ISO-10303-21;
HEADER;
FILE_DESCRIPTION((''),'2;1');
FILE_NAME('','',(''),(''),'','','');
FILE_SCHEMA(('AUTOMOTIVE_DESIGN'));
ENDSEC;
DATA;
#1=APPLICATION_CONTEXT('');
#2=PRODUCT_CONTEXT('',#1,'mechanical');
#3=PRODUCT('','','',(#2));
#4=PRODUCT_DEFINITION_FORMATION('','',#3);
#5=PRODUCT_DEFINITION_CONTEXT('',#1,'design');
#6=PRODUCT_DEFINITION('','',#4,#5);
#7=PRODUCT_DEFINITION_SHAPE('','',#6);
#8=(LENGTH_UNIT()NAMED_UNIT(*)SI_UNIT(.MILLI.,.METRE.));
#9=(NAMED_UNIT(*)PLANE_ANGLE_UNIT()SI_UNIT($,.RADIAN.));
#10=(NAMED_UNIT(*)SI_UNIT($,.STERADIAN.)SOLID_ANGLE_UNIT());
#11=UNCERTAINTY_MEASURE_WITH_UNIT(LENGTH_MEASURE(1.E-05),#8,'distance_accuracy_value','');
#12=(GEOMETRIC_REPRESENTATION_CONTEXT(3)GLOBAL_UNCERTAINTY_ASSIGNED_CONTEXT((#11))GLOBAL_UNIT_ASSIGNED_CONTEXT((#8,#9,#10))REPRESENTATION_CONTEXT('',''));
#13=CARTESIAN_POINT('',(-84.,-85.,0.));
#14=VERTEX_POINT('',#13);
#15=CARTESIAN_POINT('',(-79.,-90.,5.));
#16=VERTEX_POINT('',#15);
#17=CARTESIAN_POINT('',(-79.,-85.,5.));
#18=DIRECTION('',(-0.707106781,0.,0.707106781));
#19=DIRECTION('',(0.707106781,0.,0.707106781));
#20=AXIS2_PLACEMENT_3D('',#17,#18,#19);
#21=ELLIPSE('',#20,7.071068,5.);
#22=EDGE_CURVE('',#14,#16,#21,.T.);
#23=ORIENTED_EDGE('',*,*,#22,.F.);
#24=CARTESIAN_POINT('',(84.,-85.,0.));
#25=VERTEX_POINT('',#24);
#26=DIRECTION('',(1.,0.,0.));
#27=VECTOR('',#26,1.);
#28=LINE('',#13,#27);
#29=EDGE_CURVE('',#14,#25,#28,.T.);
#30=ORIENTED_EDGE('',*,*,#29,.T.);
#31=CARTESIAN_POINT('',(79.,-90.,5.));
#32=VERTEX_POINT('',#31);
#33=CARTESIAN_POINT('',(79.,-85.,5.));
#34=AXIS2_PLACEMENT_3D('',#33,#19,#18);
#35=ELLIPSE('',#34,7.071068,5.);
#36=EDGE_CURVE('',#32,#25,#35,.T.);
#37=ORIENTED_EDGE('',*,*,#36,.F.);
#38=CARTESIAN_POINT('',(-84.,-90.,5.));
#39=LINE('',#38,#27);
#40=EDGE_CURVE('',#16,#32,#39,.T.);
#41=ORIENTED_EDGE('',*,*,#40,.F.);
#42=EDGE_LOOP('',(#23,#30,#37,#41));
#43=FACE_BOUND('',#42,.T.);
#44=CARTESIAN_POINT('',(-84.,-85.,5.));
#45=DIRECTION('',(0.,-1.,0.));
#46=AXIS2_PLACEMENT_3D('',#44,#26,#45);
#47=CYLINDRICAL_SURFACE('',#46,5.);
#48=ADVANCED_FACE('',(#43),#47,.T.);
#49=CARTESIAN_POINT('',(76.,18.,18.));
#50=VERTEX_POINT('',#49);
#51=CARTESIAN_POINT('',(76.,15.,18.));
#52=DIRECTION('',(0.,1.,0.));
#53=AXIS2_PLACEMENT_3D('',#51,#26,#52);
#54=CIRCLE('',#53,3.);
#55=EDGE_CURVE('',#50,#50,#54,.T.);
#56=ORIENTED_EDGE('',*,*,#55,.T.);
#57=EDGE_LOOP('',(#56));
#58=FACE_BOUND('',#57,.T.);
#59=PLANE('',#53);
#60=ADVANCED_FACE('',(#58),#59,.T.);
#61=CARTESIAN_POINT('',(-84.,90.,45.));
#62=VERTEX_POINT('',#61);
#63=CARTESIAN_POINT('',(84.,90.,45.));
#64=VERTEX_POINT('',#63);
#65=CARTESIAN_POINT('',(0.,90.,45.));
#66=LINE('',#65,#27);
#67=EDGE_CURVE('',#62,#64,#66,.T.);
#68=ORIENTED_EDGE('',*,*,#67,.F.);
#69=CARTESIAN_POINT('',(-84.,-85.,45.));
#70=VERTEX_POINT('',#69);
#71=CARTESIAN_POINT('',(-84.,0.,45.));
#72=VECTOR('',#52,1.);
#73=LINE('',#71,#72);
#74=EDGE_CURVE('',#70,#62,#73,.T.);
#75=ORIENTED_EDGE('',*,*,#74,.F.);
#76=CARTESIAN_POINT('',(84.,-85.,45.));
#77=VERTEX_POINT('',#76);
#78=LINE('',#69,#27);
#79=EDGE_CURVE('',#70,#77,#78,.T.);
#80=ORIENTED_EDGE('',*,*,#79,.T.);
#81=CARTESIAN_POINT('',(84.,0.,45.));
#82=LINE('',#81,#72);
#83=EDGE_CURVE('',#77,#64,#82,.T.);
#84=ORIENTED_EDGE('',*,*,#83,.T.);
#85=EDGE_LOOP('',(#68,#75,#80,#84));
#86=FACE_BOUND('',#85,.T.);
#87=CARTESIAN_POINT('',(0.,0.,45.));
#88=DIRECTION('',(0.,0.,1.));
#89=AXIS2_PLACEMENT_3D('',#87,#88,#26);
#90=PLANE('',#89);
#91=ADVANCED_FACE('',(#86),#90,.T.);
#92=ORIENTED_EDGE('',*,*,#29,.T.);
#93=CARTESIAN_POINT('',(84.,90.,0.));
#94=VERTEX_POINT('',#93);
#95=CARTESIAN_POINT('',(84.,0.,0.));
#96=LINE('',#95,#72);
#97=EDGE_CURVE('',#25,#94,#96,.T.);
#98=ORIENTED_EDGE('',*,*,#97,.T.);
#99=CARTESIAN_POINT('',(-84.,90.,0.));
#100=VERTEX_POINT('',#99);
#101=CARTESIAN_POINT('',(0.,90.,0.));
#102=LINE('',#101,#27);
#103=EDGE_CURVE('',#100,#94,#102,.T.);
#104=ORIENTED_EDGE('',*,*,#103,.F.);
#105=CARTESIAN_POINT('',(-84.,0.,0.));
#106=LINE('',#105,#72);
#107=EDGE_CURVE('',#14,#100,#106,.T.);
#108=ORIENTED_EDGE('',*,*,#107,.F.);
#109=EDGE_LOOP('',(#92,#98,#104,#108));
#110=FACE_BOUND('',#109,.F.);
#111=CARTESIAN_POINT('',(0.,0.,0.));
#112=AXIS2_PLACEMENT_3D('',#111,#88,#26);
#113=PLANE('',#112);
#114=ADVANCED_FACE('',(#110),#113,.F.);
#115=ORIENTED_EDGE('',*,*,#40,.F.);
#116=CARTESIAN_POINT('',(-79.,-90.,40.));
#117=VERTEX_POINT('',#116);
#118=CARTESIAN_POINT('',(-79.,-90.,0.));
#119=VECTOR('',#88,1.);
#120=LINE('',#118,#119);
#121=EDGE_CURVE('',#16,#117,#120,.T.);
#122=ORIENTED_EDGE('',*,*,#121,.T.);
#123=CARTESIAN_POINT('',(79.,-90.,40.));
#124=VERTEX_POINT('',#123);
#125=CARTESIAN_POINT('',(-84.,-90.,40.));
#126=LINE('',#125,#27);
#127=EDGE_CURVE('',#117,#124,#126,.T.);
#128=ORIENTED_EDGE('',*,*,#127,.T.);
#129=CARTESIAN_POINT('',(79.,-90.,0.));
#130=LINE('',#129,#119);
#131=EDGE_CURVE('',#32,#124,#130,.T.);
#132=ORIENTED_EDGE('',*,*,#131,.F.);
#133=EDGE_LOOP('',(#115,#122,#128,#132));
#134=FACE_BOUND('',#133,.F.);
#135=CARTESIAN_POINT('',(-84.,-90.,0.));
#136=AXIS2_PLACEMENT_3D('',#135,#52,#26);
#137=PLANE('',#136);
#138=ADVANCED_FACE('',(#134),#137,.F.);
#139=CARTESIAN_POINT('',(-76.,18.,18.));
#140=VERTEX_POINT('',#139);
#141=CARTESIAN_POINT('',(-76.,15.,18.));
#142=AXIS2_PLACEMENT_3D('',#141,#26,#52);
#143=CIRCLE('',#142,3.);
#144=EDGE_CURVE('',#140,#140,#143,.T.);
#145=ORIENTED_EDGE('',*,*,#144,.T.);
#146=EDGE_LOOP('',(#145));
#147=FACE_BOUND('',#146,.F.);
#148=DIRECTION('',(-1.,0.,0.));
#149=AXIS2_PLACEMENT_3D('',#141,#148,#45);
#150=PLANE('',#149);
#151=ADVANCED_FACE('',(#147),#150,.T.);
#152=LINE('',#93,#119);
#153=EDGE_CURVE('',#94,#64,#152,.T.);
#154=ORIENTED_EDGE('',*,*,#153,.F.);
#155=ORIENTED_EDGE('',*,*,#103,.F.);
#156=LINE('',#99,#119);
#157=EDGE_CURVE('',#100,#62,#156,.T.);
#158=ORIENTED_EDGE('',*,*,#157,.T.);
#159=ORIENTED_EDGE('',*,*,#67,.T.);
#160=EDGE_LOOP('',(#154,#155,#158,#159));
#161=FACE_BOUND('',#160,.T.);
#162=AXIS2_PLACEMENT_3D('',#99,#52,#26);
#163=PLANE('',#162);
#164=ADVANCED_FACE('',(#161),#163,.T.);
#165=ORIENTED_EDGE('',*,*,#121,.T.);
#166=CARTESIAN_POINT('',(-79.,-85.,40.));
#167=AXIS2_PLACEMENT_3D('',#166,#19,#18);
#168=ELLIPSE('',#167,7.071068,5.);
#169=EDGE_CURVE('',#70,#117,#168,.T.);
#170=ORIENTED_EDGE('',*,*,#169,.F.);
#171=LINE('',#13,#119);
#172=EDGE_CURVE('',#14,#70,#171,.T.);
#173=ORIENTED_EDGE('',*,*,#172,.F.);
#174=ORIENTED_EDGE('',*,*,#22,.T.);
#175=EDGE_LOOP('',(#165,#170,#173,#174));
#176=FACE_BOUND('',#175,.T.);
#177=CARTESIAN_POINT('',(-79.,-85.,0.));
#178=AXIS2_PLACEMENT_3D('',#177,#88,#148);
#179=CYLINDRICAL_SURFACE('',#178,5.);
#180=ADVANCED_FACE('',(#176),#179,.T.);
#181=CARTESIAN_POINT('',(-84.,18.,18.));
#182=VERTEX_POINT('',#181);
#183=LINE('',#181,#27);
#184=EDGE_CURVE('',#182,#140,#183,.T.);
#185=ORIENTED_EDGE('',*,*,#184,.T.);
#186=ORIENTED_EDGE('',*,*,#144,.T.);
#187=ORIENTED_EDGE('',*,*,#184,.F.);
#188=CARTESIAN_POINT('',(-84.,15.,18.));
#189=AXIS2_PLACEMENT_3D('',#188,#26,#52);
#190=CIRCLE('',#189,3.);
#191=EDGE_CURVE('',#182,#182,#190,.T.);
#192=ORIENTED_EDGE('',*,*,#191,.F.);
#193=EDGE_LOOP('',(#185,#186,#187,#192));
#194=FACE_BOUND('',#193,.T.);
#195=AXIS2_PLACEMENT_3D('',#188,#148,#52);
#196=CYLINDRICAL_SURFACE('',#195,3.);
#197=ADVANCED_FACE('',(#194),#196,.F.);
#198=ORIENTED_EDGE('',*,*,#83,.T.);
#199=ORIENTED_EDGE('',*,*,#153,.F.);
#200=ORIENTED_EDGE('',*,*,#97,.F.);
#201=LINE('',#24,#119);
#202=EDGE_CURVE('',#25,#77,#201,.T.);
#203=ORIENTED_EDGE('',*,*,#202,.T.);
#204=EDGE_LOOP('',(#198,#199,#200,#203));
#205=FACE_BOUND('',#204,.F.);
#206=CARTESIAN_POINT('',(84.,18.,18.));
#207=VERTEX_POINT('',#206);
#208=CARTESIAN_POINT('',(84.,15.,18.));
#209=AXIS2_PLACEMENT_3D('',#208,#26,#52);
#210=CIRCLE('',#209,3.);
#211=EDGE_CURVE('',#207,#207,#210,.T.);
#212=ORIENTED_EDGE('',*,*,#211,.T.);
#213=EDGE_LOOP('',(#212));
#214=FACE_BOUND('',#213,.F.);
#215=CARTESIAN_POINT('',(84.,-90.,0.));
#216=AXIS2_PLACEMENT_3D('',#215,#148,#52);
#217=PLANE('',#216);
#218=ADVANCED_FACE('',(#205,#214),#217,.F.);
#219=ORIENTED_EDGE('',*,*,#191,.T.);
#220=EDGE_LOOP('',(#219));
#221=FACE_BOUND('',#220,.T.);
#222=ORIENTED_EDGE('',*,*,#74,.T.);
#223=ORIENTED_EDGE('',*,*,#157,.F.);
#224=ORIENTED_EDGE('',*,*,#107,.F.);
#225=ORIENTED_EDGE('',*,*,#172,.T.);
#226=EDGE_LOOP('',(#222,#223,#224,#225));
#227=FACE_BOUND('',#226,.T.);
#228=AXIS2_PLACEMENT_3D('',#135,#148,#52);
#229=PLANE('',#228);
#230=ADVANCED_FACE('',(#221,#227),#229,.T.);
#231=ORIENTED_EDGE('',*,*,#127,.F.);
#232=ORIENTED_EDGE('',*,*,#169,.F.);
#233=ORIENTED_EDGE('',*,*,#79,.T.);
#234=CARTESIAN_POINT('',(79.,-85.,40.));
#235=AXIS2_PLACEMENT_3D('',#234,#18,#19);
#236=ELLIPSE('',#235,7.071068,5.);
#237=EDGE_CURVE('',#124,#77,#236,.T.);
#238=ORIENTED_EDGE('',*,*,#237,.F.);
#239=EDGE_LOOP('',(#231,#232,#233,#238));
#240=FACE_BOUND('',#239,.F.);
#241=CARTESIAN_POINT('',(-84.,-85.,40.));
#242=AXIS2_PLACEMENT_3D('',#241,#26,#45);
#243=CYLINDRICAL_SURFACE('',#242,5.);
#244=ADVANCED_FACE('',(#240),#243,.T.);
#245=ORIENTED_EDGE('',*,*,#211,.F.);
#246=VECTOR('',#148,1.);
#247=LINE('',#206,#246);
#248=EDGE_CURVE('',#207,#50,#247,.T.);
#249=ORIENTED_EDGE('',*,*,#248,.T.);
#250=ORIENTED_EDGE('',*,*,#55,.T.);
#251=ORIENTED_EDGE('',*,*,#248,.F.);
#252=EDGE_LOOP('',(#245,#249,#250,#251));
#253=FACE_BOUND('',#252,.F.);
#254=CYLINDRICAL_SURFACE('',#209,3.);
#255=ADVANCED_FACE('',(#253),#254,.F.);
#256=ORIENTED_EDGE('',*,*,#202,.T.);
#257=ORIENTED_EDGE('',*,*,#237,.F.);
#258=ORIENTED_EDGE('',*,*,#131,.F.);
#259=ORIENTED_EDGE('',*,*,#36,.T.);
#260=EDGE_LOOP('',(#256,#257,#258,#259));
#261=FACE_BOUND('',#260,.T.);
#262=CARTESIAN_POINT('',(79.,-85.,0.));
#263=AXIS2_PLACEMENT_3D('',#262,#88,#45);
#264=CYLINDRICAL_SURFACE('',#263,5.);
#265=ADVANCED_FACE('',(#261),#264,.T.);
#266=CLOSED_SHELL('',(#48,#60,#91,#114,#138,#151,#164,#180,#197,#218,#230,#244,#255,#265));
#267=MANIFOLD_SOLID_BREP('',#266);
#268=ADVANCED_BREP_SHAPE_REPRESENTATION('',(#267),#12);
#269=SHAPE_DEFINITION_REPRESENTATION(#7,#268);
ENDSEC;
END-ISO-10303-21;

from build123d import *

# Parameters (mm, degrees)
SKETCH004_W     = 168
SKETCH004_H     = 180
PAD002_DEPTH    = 45
SKETCH005_R     = 3
POCKET002_DEPTH = 8
FILLET001_R     = 5


with BuildPart() as part:
    # Sketch004 → Pad002 (new body)
    with BuildSketch(Plane.XY):
        Rectangle(SKETCH004_W, SKETCH004_H)
    extrude(amount=PAD002_DEPTH)

    # Sketch005 (on Face2 of Pad002) → Pocket002 (cut)
    with BuildSketch(Plane.YZ.offset(84)):
        with Locations((15, 18)):
            Circle(SKETCH005_R)
    pocket002 = extrude(amount=-POCKET002_DEPTH, mode=Mode.SUBTRACT)

    # Mirrored: Pocket002 across YZ
    add(pocket002.mirror(Plane.YZ), mode=Mode.SUBTRACT)

    # Fillet001
    fillet001_edges = [part.edges().sort_by_distance(p)[0] for p in [
        (84, -90, 22.5),
        (-84, -90, 22.5),
        (0, -90, 0),
        (0, -90, 45),
    ]]
    fillet(fillet001_edges, radius=FILLET001_R)


solid = part.part
